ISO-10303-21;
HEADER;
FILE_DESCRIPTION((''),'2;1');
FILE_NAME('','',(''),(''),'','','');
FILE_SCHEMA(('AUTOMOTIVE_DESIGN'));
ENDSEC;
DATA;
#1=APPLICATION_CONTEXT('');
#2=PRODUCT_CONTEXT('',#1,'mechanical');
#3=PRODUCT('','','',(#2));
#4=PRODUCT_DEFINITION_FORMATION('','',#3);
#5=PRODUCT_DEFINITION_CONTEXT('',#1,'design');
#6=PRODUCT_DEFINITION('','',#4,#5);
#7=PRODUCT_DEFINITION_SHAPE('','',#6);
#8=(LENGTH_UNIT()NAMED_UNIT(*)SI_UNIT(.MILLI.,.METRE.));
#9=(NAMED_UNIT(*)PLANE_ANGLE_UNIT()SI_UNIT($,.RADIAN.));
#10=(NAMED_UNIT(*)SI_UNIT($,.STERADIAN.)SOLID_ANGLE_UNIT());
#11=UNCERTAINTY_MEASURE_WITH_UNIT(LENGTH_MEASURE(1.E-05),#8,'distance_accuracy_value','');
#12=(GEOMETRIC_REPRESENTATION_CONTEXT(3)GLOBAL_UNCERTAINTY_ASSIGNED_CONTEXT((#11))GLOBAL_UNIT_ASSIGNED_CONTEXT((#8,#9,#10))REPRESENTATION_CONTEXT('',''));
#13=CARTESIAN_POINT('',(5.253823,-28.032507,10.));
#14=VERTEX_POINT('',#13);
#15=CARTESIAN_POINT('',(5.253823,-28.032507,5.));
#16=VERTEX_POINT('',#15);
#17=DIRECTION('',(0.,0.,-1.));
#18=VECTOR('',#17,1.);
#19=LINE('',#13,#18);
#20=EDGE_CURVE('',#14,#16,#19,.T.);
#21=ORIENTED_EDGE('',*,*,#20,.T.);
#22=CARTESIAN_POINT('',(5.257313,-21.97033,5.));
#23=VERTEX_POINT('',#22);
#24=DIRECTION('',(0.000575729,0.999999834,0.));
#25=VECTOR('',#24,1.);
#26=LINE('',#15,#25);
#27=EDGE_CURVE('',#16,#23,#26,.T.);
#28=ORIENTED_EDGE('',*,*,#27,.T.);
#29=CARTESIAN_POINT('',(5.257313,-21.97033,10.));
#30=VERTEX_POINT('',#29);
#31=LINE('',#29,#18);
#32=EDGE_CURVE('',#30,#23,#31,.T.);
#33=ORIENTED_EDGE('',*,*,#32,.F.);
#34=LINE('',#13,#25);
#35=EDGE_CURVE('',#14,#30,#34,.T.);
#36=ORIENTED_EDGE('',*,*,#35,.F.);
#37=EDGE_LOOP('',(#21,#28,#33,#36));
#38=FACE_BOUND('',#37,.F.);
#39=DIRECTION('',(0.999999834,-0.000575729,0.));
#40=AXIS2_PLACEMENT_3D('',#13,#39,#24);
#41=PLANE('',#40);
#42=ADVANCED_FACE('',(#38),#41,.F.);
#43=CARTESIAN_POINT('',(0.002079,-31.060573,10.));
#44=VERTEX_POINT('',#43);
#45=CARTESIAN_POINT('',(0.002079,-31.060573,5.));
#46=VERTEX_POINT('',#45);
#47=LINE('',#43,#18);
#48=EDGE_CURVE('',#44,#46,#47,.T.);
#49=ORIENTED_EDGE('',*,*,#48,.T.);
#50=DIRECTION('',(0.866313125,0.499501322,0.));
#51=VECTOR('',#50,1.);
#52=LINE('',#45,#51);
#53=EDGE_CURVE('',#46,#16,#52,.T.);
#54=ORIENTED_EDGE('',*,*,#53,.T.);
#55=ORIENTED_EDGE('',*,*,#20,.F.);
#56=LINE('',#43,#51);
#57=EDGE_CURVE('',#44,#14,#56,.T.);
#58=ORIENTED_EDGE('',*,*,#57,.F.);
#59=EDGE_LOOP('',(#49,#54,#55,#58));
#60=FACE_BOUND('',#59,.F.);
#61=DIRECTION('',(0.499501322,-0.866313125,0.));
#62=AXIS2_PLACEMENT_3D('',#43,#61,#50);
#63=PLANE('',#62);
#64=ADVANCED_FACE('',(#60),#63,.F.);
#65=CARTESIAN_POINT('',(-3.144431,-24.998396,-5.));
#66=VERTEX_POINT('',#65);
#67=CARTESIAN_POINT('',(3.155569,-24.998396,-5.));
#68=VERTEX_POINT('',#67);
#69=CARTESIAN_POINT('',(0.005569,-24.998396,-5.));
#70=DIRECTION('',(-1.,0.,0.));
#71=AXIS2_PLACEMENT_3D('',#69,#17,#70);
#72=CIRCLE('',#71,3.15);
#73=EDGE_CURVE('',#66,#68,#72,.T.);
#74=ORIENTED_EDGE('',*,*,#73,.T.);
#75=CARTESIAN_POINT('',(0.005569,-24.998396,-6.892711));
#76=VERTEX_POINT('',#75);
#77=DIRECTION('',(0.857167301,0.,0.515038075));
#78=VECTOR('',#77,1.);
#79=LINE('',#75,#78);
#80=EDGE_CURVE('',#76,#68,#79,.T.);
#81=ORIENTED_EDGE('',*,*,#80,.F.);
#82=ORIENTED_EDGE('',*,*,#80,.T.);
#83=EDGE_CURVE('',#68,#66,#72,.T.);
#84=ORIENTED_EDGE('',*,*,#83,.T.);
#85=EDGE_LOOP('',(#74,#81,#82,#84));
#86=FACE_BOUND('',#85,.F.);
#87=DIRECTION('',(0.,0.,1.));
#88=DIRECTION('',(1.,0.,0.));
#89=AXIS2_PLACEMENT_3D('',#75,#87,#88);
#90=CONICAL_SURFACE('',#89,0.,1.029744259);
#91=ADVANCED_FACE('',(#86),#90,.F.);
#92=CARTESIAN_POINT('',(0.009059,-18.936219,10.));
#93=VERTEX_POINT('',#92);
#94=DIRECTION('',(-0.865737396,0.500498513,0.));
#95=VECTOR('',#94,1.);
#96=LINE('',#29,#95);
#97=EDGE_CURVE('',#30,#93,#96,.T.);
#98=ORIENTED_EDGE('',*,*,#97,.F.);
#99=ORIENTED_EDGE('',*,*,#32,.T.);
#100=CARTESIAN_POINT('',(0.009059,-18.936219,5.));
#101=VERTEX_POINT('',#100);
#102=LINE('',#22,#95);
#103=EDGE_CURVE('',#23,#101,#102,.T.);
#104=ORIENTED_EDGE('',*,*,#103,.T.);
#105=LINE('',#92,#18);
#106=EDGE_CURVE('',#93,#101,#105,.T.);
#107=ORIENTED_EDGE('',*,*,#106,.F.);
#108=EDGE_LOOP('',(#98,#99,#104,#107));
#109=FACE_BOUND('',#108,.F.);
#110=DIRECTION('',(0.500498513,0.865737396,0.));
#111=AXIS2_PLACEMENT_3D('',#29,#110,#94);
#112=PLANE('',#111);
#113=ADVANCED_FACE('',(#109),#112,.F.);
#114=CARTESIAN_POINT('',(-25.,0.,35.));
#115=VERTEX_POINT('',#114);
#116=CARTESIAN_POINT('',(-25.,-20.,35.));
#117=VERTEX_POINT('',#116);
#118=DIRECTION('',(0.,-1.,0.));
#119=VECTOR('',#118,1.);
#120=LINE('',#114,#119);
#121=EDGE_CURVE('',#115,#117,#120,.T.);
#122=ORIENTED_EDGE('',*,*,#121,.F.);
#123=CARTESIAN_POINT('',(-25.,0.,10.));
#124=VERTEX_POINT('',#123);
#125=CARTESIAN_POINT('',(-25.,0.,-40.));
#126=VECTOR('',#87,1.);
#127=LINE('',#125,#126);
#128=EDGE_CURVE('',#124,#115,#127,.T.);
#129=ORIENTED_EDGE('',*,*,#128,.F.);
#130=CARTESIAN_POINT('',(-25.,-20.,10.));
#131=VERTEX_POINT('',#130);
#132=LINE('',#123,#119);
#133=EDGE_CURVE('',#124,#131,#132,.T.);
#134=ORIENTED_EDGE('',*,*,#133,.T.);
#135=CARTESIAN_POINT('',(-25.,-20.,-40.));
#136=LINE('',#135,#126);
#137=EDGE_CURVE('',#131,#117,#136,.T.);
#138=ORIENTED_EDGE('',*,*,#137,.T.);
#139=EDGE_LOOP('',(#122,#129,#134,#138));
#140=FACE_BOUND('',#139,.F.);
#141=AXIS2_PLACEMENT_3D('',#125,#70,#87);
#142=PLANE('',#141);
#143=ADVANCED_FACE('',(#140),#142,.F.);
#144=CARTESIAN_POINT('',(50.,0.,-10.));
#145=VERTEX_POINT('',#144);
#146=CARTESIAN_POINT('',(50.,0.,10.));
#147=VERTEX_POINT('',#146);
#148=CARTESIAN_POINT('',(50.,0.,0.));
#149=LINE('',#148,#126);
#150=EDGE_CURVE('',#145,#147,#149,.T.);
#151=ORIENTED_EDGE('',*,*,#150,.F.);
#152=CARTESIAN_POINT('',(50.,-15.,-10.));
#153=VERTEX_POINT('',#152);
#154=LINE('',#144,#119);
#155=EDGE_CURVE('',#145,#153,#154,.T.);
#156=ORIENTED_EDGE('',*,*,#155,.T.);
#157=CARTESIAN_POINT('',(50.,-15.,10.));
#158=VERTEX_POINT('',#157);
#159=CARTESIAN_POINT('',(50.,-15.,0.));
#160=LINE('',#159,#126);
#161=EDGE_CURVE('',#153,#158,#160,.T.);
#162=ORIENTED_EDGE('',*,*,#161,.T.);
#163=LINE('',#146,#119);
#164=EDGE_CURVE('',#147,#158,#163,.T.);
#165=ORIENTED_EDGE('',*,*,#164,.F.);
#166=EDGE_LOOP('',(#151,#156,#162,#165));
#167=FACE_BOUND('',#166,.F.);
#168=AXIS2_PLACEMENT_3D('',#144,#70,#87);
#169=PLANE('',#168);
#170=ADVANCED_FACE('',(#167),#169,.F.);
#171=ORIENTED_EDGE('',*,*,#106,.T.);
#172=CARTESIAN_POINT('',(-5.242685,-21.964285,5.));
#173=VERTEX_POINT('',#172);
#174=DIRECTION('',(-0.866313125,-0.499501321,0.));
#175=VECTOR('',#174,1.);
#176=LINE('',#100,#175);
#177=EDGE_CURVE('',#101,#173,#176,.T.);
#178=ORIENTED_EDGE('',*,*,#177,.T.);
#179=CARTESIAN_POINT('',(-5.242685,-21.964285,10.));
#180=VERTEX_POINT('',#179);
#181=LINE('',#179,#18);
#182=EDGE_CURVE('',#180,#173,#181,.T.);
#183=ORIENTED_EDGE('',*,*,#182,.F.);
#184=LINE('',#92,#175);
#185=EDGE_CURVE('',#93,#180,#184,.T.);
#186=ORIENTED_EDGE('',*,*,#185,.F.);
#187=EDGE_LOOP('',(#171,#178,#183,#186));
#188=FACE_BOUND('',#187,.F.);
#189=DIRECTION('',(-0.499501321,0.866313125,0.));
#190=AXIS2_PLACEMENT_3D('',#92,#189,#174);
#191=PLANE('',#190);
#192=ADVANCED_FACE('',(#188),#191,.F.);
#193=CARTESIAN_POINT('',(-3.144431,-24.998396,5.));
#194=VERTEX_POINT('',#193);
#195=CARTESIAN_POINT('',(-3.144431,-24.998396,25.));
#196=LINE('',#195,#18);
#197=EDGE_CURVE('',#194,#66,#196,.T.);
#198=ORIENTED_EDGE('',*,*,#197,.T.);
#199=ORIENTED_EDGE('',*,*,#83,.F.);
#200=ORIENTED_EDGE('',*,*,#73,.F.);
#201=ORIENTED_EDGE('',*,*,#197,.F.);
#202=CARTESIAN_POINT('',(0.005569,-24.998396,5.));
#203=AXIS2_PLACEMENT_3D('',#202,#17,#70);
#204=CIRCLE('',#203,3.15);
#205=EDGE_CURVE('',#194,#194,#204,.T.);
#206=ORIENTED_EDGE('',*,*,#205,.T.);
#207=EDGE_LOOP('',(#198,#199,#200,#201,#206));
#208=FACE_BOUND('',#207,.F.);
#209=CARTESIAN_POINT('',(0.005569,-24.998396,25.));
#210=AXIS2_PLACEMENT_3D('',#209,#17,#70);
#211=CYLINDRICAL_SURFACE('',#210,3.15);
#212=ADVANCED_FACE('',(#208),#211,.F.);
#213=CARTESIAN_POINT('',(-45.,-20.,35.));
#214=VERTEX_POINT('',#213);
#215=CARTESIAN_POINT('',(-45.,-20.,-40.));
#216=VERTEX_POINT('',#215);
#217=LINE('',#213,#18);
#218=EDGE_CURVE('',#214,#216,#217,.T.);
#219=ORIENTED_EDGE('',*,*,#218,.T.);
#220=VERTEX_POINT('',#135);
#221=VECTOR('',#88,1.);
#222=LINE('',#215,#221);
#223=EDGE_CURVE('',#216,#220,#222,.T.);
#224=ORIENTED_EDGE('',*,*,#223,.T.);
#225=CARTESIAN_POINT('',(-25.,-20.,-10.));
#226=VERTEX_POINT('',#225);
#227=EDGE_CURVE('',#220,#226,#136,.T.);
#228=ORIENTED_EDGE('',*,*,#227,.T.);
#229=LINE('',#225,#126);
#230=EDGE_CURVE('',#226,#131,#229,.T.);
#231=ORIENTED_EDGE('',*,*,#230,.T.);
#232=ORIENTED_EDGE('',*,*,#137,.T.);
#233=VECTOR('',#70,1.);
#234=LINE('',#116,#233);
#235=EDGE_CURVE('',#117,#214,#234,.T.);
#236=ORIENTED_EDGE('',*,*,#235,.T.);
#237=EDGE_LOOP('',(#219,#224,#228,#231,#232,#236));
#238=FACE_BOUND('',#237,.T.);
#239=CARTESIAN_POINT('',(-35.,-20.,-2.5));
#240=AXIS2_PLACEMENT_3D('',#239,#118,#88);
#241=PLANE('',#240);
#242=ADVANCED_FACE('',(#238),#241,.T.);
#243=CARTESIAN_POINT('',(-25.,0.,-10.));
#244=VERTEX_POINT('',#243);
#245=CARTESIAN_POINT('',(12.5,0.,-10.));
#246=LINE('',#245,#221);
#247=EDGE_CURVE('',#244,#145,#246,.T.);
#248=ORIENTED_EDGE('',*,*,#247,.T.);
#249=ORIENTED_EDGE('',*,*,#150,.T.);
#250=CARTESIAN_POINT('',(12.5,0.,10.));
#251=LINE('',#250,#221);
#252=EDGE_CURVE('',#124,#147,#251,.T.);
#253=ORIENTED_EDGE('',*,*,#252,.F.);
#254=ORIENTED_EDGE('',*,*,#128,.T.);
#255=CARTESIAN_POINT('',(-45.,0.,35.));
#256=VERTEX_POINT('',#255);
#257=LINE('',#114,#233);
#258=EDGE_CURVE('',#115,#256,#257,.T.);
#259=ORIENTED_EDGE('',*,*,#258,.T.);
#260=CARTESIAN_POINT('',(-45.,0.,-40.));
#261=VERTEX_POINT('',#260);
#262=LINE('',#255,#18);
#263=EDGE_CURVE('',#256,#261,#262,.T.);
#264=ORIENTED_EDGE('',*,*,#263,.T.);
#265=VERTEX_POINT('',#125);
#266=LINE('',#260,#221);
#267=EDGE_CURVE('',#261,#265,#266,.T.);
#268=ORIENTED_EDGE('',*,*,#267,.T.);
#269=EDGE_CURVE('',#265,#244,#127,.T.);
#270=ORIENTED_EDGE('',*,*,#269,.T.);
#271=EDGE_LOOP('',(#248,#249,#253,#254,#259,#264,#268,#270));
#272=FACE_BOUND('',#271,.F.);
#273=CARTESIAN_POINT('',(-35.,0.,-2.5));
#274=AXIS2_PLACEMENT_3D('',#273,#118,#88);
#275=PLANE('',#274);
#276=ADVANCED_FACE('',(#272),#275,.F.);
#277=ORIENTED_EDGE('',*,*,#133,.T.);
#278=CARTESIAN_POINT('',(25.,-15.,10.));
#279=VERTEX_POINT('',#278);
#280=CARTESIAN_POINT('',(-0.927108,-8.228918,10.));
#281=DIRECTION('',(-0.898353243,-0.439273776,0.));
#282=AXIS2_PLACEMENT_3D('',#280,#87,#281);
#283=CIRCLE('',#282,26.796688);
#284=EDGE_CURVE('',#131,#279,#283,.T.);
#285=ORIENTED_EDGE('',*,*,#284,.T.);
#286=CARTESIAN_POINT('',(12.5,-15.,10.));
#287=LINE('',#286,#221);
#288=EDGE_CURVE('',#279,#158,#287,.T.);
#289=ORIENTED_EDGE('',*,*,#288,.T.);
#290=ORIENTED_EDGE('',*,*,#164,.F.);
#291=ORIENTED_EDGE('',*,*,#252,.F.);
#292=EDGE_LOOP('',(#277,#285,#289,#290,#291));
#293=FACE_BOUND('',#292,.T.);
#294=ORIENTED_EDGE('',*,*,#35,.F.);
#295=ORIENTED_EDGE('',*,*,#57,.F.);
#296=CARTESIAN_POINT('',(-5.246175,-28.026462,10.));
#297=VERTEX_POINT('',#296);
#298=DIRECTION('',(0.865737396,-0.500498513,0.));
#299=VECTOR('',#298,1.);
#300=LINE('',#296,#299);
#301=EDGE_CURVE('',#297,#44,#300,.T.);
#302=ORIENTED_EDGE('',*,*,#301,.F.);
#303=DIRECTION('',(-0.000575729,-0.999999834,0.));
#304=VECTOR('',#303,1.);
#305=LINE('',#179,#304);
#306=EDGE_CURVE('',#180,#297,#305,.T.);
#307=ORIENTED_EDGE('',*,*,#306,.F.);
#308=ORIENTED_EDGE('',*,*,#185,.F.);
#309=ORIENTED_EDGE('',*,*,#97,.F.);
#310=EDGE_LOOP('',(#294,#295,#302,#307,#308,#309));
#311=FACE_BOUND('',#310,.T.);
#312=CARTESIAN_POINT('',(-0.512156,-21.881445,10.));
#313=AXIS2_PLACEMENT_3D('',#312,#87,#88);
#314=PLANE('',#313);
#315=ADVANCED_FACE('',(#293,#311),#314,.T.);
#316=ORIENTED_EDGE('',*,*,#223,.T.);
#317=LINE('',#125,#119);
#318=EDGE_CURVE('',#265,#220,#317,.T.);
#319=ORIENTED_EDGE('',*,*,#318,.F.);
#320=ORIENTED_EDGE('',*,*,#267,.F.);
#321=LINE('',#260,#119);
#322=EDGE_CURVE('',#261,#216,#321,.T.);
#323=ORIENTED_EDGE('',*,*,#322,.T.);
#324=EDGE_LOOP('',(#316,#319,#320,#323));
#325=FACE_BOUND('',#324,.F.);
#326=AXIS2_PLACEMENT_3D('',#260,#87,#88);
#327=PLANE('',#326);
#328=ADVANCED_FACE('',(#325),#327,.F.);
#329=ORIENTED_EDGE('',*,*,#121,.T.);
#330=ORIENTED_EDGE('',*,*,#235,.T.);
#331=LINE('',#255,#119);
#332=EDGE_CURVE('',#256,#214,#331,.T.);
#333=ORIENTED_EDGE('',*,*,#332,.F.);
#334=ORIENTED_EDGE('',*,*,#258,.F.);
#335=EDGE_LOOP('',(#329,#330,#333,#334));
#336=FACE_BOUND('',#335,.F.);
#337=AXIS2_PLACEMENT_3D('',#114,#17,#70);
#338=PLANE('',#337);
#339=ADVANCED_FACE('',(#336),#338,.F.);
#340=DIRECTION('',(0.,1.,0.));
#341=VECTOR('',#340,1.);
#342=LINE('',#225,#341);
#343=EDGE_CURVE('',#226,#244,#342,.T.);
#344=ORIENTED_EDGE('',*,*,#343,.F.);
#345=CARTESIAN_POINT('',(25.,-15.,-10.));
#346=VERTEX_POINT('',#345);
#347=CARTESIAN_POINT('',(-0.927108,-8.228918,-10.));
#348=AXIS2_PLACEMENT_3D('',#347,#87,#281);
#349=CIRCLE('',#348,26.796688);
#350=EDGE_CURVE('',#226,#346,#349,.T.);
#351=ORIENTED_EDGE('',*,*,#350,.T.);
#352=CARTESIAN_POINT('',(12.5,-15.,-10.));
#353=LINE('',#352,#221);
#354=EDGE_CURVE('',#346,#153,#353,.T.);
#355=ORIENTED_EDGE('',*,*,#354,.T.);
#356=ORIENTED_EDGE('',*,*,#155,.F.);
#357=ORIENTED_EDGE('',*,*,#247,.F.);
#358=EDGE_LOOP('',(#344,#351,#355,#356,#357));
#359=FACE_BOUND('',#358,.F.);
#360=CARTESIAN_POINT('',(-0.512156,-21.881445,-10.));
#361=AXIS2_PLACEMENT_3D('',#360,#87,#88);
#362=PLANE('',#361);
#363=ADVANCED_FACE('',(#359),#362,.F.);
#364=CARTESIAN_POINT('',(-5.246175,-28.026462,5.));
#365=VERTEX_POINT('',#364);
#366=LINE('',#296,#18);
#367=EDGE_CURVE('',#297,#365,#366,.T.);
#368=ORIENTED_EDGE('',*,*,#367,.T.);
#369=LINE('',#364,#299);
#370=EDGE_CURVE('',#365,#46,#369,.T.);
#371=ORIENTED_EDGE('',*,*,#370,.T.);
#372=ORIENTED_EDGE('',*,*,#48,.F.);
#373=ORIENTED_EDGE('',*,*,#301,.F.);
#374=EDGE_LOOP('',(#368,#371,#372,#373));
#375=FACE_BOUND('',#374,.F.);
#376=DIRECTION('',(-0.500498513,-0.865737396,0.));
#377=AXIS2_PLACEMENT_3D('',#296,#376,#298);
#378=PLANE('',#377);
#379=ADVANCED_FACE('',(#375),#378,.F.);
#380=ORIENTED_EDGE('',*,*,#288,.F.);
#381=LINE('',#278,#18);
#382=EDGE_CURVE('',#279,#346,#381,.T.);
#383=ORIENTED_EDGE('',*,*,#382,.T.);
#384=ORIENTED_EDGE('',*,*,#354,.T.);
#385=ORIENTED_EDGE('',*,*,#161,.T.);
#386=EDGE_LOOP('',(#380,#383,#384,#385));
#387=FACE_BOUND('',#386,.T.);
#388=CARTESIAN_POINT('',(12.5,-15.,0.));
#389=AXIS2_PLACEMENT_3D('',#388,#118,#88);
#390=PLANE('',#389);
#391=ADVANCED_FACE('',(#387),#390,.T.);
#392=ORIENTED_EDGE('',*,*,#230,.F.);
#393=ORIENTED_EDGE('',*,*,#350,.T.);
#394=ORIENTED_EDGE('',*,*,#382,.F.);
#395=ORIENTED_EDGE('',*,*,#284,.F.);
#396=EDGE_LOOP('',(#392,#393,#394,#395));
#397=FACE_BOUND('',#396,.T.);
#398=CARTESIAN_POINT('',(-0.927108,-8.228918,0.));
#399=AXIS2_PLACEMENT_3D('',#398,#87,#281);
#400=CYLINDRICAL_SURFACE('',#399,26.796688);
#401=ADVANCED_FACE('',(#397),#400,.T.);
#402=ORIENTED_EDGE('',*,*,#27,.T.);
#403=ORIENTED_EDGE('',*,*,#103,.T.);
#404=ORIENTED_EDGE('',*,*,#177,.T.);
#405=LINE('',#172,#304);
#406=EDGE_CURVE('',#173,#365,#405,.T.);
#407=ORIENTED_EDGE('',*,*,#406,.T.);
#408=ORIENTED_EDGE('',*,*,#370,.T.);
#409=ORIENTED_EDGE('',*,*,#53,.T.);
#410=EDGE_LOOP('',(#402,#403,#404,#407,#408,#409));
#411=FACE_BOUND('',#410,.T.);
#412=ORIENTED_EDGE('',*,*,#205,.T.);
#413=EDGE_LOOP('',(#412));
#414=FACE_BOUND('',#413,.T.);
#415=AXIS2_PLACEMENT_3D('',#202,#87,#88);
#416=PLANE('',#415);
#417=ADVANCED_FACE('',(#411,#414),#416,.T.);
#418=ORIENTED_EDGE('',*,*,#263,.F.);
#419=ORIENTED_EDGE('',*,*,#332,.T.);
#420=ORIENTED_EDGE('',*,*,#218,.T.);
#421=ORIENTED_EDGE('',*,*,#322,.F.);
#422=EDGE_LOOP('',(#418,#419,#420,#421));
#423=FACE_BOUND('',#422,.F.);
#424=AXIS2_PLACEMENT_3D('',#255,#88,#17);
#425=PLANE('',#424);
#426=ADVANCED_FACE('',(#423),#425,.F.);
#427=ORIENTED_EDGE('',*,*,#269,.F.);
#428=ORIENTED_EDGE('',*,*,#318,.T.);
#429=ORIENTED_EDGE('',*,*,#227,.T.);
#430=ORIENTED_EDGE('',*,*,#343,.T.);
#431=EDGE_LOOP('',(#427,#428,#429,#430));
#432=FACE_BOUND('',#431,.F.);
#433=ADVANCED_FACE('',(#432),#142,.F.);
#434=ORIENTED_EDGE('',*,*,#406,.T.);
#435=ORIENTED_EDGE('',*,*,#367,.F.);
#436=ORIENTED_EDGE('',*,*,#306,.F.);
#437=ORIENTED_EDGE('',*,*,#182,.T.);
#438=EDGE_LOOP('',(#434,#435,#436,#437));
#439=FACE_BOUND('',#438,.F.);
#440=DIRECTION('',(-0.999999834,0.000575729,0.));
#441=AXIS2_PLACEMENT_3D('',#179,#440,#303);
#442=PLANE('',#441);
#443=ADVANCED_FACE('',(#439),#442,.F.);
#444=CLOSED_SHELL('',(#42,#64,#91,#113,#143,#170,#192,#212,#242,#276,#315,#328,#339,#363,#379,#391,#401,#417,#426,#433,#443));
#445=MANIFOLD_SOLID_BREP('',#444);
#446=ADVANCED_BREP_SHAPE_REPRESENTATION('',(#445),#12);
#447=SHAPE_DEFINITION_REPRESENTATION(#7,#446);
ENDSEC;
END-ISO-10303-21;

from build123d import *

# Parameters (mm, degrees)
F1_DEPTH = 20
F0_W     = 75
F0_H     = 20
F2_DEPTH = 15
F4_DEPTH = 10
F6_DEPTH = 5
F7_D     = 6.3
F7_DEPTH = 15
F7_TIP   = 1.8927109499


with BuildPart() as f1:
    # F0 (on Front) → F1 (new body)
    with BuildSketch(Plane.XZ):
        Polygon((-25, 35), (-45, 35), (-45, -40), (-25, -40), (-25, -10), (-25, 10), align=None)
    extrude(amount=F1_DEPTH)

    # F0 (on Front) → F2 (join)
    with BuildSketch(Plane.XZ):
        with Locations((12.5, 0)):
            Rectangle(F0_W, F0_H)
    extrude(amount=F2_DEPTH)

    # F3 (on Top) → F4 (join, symmetric)
    with BuildSketch(Plane.XY):
        with BuildLine():
            Line((-25, -15), (-25, -20))
            ThreePointArc((-25, -20), (1.7392618935, -34.8926189355), (25, -15))
            Line((25, -15), (0, -15))
            Line((0, -15), (-25, -15))
        make_face()
    extrude(amount=F4_DEPTH, both=True)

    # F5 (on face) → F6 (cut)
    with BuildSketch(Plane.XY.offset(10)):
        Polygon((5.2573132542, -21.9703298494), (0.009059209, -18.9362188631), (-5.2426850057, -21.9642846986), (-5.2461751751, -28.0264615203), (0.0020788701, -31.0605725067), (5.2538230847, -28.0325066712), align=None)
    extrude(amount=-F6_DEPTH, mode=Mode.SUBTRACT)

    # F7
    with Locations(Plane.XY.offset(10)):
        with Locations((0.0055690395, -24.9983956849)):
            Hole(F7_D / 2, depth=F7_DEPTH)
            with Locations((0, 0, -(F7_DEPTH + F7_TIP / 2))):  # 118° drill point
                Cone(0, F7_D / 2, F7_TIP, mode=Mode.SUBTRACT)


solid = f1.part
